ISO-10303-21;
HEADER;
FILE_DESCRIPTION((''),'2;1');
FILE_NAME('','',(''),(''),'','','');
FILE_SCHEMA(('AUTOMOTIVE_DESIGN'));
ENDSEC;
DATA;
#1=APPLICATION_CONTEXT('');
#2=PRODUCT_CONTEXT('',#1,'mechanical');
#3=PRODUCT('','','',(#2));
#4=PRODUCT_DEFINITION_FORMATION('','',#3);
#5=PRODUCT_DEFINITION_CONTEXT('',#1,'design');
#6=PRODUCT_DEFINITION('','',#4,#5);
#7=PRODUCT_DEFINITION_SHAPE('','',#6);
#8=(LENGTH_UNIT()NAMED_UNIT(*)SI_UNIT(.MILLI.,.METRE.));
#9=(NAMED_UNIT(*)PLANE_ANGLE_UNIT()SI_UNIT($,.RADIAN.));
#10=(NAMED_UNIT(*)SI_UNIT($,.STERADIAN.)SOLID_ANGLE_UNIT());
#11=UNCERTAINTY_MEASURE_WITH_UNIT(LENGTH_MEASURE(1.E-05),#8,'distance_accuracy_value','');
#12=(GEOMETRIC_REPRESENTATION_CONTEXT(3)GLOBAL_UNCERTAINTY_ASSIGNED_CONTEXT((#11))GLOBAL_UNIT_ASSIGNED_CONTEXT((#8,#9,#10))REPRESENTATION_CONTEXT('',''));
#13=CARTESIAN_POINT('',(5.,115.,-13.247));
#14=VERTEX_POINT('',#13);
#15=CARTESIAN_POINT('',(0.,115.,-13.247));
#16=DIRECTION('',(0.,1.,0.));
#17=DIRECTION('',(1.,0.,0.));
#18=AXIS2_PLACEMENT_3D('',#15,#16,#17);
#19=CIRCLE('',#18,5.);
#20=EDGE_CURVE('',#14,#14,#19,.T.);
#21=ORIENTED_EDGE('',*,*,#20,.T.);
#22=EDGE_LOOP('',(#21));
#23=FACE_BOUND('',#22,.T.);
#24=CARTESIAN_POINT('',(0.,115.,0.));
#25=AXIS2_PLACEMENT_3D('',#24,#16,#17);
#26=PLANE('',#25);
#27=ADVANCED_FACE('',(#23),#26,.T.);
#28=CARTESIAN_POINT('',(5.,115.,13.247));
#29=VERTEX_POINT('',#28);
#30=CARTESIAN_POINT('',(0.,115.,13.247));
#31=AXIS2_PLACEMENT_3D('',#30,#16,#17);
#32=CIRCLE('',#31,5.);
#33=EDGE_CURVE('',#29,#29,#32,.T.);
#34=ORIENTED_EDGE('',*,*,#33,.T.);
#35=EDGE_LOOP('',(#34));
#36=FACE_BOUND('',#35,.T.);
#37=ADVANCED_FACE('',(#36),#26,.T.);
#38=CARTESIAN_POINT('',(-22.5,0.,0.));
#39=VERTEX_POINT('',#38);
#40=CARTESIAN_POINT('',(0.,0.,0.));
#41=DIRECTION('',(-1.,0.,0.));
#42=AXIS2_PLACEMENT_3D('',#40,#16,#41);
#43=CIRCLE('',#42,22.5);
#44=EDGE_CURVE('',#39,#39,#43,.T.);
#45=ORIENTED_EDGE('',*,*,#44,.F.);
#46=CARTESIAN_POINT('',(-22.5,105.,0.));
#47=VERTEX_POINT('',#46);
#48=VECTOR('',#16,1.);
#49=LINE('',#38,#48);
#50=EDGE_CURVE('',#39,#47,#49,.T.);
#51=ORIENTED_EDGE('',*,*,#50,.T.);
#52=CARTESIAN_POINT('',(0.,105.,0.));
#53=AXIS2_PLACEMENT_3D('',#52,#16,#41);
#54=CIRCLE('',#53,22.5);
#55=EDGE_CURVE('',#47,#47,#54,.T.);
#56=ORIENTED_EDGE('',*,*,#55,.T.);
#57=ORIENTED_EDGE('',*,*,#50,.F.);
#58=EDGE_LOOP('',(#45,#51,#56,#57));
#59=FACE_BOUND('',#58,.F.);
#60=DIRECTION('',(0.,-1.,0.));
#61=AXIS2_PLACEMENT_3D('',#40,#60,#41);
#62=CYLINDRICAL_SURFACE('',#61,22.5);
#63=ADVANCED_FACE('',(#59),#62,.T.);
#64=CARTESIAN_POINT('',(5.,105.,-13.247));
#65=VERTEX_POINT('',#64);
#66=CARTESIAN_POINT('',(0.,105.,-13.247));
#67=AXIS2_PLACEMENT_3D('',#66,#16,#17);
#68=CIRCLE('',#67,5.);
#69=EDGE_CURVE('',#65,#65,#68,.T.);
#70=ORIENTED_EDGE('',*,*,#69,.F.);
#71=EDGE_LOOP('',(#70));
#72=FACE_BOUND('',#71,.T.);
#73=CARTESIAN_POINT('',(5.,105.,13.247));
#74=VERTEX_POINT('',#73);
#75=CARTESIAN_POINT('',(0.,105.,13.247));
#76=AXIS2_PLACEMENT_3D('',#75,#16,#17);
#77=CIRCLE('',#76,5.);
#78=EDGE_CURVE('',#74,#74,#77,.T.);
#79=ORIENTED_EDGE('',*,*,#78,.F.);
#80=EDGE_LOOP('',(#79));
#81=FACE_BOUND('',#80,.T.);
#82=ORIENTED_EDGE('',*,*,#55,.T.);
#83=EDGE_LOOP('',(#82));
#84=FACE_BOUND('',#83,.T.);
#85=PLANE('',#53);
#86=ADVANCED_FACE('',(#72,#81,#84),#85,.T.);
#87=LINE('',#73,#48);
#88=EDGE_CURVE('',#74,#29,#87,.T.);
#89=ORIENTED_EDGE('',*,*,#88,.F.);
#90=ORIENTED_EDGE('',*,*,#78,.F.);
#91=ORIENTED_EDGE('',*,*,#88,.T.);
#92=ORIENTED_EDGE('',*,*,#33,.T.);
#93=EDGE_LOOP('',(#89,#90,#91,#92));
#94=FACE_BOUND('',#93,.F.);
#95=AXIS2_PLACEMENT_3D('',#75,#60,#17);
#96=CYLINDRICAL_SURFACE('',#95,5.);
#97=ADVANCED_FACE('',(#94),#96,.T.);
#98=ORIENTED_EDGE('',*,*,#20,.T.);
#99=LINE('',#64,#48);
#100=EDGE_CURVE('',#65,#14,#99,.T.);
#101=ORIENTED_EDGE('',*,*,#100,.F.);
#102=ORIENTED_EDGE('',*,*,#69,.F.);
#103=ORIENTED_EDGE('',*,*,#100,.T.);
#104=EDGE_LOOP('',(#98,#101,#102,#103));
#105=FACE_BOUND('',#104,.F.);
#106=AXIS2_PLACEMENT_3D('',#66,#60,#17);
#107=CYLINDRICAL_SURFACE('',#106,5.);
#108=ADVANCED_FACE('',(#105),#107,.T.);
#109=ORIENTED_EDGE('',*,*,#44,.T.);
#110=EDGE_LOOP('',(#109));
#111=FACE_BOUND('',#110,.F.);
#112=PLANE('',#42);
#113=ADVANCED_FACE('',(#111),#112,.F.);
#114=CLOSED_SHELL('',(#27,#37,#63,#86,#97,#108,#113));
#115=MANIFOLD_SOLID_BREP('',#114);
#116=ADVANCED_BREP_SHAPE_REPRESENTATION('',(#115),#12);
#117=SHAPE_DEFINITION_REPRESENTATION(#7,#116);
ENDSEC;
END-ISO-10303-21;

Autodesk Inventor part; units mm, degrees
ref_plane "YZ Plane" through (0, 0, 0) normal (1, 0, 0) x (0, 1, 0)
ref_plane "XZ Plane" through (0, 0, 0) normal (0, 1, 0) x (-1, 0, 0)
ref_plane "XY Plane" through (0, 0, 0) normal (0, 0, 1) x (1, 0, 0)
sketch "Sketch1" plane through (0, 0, 0) normal (0, 1, 0) x (-1, 0, 0)
  circle A0 centre (0, 0) radius 22.5
  point P0 (0, -22.5)
  dimension "d0" = 45
extrude "Extrusion1" add sketch "Sketch1" along normal blind 105
sketch "Sketch2" plane through (0, 105, 0) normal (0, 1, 0) x (1, 0, 0)
  circle A0 centre (0, -13.247) radius 5
  circle A1 centre (0, 13.247) radius 5
  point P0 (0, 0)
  dimension "d3" = 10
  dimension "d4" = 10
  dimension "d5" = 13.247
  dimension "d6" = 13.247
extrude "Extrusion2" add sketch "Sketch2" along normal blind 10
equation "\"d6\" = d5"
properties part number "capacitor"
